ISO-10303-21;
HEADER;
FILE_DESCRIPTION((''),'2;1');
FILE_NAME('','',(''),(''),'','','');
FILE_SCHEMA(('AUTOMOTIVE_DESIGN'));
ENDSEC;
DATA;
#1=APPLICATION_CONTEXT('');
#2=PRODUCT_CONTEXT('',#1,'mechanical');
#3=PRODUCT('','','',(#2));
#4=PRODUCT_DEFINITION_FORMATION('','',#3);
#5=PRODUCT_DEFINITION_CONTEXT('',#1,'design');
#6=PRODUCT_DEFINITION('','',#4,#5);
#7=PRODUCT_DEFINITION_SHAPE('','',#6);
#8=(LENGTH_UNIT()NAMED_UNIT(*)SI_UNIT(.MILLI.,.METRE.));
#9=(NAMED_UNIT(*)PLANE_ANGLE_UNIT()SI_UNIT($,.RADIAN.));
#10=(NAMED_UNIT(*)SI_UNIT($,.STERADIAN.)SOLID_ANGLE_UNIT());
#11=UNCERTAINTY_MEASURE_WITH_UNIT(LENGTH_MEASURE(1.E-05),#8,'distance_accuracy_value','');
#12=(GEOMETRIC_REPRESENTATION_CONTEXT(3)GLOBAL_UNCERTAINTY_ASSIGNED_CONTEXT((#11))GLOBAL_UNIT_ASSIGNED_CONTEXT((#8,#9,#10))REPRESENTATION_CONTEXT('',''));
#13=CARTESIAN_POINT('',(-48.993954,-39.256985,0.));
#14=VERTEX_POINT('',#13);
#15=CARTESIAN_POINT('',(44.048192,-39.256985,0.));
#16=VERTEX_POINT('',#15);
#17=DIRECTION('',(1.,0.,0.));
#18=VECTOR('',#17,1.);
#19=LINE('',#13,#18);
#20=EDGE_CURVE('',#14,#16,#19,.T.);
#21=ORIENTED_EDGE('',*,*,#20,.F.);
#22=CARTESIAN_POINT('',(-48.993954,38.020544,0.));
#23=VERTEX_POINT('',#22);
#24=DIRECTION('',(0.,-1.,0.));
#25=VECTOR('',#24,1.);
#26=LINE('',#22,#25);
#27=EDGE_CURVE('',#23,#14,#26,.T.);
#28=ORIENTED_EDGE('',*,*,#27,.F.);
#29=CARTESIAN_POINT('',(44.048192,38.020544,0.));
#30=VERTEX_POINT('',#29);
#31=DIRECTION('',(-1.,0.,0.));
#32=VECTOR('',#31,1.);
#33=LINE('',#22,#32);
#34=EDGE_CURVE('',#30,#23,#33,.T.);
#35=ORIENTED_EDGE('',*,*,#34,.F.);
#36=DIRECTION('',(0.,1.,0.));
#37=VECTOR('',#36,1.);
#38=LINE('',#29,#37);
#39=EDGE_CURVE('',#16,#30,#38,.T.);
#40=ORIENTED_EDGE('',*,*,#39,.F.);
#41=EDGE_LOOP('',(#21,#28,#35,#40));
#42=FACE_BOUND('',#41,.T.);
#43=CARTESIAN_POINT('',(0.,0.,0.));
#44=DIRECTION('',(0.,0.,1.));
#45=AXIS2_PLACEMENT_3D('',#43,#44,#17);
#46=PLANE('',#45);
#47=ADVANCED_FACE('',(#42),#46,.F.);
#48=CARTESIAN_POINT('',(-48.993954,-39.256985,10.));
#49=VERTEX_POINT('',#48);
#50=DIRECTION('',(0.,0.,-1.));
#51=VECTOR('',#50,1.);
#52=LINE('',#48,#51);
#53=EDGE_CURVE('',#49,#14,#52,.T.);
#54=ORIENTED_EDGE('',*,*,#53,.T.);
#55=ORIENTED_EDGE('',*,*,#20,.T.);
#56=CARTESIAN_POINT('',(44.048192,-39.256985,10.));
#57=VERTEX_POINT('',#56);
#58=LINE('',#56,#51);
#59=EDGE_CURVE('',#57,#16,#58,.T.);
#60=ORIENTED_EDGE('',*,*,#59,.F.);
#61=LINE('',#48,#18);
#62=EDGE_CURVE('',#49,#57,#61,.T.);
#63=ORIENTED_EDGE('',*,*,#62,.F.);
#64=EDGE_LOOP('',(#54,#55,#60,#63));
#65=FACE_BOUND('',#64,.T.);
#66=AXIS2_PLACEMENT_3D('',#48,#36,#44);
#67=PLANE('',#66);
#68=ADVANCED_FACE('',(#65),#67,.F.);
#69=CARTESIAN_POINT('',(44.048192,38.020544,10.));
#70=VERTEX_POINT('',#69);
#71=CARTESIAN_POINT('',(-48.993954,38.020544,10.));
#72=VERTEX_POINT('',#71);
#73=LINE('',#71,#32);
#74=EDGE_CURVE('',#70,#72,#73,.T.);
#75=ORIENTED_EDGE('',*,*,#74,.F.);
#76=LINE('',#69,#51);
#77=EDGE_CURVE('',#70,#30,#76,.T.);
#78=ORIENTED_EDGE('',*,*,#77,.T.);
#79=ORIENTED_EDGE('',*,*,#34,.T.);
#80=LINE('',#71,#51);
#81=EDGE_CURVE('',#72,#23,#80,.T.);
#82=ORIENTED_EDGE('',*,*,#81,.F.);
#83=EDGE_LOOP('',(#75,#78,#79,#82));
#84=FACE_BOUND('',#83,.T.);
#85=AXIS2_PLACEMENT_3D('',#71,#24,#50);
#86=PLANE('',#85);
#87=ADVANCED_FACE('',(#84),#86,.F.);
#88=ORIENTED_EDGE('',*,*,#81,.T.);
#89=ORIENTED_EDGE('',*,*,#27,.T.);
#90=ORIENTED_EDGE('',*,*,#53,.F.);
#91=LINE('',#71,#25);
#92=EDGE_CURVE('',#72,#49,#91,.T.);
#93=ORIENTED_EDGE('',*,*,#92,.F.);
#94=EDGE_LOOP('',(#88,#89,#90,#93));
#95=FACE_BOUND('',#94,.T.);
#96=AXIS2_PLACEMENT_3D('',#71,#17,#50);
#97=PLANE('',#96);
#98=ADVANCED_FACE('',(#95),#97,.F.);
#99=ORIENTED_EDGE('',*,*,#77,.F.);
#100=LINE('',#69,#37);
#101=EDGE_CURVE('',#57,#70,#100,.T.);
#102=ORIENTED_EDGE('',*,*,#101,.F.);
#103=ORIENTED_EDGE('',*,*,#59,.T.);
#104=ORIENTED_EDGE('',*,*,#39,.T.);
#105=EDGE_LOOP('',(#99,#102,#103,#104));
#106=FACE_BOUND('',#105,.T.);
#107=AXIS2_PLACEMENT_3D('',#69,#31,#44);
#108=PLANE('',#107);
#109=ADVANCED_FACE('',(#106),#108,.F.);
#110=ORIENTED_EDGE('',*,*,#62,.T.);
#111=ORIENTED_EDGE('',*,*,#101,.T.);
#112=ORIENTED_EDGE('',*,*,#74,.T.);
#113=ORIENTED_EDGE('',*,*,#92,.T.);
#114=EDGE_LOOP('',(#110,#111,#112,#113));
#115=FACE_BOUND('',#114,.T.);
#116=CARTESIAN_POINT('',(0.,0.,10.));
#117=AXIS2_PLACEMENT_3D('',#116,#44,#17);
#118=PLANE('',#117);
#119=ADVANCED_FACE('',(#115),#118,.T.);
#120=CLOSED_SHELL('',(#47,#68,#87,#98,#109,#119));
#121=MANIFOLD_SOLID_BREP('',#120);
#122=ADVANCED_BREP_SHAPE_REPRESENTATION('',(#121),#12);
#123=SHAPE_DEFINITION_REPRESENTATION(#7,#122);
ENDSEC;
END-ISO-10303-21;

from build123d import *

# Parameters (mm, degrees)
F_1_FR_W        = 93.042145165
F_1_FR_H        = 77.277529207
EXTRUDE_1_DEPTH = 10


with BuildPart() as part:
    # Эскиз1_fr → Бобышка-Вытянуть1 (new body)
    with BuildSketch(Plane.XY):
        with Locations((-2.472880935, -0.618220234)):
            Rectangle(F_1_FR_W, F_1_FR_H)
    extrude(amount=EXTRUDE_1_DEPTH)


solid = part.part
